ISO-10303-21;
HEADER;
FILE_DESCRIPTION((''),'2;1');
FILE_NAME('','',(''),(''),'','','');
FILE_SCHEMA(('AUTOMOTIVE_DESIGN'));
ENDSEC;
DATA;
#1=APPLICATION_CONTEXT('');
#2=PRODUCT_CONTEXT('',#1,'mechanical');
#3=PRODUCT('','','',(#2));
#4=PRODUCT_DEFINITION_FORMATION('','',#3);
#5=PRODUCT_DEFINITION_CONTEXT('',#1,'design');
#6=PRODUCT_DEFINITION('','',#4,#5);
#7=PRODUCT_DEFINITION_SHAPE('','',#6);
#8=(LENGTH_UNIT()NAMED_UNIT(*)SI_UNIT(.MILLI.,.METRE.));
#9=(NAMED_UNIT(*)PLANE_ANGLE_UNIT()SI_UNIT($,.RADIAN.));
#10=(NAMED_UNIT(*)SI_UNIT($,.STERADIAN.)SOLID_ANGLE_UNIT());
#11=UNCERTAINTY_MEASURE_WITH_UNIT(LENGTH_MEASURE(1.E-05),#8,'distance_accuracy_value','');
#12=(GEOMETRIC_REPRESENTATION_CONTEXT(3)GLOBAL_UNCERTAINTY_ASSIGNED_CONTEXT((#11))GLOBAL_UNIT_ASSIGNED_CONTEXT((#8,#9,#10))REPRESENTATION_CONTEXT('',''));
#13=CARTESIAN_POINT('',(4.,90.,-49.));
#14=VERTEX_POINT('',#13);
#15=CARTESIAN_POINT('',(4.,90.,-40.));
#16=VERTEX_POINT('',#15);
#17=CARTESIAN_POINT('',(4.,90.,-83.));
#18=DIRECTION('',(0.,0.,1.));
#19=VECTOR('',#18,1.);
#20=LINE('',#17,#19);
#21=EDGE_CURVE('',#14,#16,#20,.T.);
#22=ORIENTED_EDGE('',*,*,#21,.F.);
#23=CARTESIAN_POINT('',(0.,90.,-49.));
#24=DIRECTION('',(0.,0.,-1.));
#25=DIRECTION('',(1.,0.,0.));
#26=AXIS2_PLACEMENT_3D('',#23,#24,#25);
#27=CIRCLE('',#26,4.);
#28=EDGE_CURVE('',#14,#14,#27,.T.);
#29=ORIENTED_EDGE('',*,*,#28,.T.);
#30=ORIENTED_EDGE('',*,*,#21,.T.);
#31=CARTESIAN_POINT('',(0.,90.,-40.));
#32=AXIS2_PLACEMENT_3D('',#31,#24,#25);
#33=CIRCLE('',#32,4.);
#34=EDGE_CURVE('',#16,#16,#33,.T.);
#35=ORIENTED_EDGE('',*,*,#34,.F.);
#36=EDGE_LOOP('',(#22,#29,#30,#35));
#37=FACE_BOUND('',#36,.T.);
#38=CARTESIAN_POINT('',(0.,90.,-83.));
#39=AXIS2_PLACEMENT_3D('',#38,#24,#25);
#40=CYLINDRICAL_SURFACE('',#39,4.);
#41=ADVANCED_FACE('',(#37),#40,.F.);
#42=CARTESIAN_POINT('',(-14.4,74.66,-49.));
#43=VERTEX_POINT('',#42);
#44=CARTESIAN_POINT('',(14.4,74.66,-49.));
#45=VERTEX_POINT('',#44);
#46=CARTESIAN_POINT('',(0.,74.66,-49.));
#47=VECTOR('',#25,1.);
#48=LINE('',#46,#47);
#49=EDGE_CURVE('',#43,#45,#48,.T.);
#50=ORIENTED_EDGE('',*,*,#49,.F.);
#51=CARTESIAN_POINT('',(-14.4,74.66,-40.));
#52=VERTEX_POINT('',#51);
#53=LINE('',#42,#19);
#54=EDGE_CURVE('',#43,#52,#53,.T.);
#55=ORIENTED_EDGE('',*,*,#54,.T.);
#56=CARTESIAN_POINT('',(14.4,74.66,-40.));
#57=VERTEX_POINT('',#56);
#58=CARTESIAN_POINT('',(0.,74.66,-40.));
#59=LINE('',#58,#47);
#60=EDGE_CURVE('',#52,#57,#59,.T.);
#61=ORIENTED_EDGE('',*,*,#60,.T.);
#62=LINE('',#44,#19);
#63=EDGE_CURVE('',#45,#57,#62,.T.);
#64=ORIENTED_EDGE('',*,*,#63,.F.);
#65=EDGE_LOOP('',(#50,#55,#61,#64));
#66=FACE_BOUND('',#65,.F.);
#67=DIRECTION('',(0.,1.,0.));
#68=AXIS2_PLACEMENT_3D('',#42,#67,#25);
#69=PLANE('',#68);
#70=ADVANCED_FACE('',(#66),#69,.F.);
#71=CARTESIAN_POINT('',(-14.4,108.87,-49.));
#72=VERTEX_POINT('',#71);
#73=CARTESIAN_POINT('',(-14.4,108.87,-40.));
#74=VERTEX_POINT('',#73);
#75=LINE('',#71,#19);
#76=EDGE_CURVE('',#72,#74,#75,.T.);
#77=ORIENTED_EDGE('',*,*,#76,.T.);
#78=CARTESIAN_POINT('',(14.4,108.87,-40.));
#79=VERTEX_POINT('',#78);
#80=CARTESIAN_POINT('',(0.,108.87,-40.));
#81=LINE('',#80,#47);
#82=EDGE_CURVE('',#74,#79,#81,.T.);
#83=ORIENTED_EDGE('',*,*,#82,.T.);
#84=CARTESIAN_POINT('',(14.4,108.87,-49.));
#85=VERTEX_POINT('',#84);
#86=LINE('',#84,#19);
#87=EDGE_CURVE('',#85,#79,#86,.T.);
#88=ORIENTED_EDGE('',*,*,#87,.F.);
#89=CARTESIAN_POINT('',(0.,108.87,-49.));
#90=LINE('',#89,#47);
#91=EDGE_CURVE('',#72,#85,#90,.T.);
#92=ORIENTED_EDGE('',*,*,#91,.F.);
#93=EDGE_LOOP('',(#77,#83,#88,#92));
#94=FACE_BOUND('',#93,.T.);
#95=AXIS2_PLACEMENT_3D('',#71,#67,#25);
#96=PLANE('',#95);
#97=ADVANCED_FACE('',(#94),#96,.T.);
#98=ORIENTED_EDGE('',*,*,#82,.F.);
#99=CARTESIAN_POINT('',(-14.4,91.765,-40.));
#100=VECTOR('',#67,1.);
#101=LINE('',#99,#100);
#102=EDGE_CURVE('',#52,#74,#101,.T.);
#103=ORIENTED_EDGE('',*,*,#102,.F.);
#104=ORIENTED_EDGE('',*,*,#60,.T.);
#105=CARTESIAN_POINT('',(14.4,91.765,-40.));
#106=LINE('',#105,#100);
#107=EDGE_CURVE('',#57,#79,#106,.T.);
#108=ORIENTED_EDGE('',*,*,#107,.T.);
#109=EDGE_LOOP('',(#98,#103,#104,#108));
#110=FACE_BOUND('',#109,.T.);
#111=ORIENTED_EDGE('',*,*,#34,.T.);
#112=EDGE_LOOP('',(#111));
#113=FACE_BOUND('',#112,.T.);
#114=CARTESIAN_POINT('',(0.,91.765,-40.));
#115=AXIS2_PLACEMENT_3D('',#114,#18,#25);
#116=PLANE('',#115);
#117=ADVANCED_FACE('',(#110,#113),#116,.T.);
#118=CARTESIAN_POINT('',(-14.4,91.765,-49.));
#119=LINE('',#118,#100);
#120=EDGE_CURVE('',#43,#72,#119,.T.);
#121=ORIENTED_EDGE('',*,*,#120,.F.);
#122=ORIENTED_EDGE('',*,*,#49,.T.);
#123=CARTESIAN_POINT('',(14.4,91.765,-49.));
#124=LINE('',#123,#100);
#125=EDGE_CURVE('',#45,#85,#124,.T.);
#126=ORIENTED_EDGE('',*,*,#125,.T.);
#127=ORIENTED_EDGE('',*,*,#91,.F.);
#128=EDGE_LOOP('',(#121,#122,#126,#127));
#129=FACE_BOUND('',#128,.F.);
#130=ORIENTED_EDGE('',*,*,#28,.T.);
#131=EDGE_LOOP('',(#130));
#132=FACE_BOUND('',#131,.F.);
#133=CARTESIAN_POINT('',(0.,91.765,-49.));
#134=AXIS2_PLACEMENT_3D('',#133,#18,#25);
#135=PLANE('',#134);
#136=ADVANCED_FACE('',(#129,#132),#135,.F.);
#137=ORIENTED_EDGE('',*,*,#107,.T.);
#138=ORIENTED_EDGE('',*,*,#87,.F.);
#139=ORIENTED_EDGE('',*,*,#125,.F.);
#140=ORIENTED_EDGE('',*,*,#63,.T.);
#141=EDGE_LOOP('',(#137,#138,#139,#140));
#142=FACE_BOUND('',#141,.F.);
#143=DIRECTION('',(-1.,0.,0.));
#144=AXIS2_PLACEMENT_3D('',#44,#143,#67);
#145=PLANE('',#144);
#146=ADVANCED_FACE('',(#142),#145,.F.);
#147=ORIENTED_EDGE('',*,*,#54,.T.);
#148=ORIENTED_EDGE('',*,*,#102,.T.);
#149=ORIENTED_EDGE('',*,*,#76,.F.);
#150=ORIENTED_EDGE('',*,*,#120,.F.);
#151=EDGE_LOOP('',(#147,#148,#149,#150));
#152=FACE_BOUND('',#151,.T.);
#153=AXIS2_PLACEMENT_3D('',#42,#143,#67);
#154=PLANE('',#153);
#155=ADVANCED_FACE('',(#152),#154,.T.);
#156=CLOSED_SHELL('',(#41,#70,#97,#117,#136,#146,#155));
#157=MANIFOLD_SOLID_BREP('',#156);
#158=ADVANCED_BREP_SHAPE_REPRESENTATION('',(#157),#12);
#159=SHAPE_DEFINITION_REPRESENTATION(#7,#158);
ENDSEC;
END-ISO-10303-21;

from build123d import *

# Parameters (mm, degrees)
CYLINDER1616_R     = 4
CYLINDER1616_DEPTH = 100
BOX642_W           = 28.8
BOX642_H           = 34.21
BOX642_DEPTH       = 9


with BuildPart() as v_lec1616:
    # Cylinder1616 → Cylinder1616 (new body)
    with BuildSketch(Plane.XY):
        Circle(CYLINDER1616_R)
    extrude(amount=CYLINDER1616_DEPTH)


with BuildPart() as cut308:
    # Box642 → Box642 (new body)
    with BuildSketch(Plane(origin=(-14.4, -15.34, 34), x_dir=(1, 0, 0), z_dir=(0, 0, 1))):
        with Locations((14.4, 17.105)):
            Rectangle(BOX642_W, BOX642_H)
    extrude(amount=BOX642_DEPTH)

    # Cut308: cut Válec1616
    add(v_lec1616.part, mode=Mode.SUBTRACT)


with BuildPart() as cut308_1:
    # Cut308 placement: moved
    add(cut308.part.moved(Location((0, 90, -83))))


solid = cut308_1.part
